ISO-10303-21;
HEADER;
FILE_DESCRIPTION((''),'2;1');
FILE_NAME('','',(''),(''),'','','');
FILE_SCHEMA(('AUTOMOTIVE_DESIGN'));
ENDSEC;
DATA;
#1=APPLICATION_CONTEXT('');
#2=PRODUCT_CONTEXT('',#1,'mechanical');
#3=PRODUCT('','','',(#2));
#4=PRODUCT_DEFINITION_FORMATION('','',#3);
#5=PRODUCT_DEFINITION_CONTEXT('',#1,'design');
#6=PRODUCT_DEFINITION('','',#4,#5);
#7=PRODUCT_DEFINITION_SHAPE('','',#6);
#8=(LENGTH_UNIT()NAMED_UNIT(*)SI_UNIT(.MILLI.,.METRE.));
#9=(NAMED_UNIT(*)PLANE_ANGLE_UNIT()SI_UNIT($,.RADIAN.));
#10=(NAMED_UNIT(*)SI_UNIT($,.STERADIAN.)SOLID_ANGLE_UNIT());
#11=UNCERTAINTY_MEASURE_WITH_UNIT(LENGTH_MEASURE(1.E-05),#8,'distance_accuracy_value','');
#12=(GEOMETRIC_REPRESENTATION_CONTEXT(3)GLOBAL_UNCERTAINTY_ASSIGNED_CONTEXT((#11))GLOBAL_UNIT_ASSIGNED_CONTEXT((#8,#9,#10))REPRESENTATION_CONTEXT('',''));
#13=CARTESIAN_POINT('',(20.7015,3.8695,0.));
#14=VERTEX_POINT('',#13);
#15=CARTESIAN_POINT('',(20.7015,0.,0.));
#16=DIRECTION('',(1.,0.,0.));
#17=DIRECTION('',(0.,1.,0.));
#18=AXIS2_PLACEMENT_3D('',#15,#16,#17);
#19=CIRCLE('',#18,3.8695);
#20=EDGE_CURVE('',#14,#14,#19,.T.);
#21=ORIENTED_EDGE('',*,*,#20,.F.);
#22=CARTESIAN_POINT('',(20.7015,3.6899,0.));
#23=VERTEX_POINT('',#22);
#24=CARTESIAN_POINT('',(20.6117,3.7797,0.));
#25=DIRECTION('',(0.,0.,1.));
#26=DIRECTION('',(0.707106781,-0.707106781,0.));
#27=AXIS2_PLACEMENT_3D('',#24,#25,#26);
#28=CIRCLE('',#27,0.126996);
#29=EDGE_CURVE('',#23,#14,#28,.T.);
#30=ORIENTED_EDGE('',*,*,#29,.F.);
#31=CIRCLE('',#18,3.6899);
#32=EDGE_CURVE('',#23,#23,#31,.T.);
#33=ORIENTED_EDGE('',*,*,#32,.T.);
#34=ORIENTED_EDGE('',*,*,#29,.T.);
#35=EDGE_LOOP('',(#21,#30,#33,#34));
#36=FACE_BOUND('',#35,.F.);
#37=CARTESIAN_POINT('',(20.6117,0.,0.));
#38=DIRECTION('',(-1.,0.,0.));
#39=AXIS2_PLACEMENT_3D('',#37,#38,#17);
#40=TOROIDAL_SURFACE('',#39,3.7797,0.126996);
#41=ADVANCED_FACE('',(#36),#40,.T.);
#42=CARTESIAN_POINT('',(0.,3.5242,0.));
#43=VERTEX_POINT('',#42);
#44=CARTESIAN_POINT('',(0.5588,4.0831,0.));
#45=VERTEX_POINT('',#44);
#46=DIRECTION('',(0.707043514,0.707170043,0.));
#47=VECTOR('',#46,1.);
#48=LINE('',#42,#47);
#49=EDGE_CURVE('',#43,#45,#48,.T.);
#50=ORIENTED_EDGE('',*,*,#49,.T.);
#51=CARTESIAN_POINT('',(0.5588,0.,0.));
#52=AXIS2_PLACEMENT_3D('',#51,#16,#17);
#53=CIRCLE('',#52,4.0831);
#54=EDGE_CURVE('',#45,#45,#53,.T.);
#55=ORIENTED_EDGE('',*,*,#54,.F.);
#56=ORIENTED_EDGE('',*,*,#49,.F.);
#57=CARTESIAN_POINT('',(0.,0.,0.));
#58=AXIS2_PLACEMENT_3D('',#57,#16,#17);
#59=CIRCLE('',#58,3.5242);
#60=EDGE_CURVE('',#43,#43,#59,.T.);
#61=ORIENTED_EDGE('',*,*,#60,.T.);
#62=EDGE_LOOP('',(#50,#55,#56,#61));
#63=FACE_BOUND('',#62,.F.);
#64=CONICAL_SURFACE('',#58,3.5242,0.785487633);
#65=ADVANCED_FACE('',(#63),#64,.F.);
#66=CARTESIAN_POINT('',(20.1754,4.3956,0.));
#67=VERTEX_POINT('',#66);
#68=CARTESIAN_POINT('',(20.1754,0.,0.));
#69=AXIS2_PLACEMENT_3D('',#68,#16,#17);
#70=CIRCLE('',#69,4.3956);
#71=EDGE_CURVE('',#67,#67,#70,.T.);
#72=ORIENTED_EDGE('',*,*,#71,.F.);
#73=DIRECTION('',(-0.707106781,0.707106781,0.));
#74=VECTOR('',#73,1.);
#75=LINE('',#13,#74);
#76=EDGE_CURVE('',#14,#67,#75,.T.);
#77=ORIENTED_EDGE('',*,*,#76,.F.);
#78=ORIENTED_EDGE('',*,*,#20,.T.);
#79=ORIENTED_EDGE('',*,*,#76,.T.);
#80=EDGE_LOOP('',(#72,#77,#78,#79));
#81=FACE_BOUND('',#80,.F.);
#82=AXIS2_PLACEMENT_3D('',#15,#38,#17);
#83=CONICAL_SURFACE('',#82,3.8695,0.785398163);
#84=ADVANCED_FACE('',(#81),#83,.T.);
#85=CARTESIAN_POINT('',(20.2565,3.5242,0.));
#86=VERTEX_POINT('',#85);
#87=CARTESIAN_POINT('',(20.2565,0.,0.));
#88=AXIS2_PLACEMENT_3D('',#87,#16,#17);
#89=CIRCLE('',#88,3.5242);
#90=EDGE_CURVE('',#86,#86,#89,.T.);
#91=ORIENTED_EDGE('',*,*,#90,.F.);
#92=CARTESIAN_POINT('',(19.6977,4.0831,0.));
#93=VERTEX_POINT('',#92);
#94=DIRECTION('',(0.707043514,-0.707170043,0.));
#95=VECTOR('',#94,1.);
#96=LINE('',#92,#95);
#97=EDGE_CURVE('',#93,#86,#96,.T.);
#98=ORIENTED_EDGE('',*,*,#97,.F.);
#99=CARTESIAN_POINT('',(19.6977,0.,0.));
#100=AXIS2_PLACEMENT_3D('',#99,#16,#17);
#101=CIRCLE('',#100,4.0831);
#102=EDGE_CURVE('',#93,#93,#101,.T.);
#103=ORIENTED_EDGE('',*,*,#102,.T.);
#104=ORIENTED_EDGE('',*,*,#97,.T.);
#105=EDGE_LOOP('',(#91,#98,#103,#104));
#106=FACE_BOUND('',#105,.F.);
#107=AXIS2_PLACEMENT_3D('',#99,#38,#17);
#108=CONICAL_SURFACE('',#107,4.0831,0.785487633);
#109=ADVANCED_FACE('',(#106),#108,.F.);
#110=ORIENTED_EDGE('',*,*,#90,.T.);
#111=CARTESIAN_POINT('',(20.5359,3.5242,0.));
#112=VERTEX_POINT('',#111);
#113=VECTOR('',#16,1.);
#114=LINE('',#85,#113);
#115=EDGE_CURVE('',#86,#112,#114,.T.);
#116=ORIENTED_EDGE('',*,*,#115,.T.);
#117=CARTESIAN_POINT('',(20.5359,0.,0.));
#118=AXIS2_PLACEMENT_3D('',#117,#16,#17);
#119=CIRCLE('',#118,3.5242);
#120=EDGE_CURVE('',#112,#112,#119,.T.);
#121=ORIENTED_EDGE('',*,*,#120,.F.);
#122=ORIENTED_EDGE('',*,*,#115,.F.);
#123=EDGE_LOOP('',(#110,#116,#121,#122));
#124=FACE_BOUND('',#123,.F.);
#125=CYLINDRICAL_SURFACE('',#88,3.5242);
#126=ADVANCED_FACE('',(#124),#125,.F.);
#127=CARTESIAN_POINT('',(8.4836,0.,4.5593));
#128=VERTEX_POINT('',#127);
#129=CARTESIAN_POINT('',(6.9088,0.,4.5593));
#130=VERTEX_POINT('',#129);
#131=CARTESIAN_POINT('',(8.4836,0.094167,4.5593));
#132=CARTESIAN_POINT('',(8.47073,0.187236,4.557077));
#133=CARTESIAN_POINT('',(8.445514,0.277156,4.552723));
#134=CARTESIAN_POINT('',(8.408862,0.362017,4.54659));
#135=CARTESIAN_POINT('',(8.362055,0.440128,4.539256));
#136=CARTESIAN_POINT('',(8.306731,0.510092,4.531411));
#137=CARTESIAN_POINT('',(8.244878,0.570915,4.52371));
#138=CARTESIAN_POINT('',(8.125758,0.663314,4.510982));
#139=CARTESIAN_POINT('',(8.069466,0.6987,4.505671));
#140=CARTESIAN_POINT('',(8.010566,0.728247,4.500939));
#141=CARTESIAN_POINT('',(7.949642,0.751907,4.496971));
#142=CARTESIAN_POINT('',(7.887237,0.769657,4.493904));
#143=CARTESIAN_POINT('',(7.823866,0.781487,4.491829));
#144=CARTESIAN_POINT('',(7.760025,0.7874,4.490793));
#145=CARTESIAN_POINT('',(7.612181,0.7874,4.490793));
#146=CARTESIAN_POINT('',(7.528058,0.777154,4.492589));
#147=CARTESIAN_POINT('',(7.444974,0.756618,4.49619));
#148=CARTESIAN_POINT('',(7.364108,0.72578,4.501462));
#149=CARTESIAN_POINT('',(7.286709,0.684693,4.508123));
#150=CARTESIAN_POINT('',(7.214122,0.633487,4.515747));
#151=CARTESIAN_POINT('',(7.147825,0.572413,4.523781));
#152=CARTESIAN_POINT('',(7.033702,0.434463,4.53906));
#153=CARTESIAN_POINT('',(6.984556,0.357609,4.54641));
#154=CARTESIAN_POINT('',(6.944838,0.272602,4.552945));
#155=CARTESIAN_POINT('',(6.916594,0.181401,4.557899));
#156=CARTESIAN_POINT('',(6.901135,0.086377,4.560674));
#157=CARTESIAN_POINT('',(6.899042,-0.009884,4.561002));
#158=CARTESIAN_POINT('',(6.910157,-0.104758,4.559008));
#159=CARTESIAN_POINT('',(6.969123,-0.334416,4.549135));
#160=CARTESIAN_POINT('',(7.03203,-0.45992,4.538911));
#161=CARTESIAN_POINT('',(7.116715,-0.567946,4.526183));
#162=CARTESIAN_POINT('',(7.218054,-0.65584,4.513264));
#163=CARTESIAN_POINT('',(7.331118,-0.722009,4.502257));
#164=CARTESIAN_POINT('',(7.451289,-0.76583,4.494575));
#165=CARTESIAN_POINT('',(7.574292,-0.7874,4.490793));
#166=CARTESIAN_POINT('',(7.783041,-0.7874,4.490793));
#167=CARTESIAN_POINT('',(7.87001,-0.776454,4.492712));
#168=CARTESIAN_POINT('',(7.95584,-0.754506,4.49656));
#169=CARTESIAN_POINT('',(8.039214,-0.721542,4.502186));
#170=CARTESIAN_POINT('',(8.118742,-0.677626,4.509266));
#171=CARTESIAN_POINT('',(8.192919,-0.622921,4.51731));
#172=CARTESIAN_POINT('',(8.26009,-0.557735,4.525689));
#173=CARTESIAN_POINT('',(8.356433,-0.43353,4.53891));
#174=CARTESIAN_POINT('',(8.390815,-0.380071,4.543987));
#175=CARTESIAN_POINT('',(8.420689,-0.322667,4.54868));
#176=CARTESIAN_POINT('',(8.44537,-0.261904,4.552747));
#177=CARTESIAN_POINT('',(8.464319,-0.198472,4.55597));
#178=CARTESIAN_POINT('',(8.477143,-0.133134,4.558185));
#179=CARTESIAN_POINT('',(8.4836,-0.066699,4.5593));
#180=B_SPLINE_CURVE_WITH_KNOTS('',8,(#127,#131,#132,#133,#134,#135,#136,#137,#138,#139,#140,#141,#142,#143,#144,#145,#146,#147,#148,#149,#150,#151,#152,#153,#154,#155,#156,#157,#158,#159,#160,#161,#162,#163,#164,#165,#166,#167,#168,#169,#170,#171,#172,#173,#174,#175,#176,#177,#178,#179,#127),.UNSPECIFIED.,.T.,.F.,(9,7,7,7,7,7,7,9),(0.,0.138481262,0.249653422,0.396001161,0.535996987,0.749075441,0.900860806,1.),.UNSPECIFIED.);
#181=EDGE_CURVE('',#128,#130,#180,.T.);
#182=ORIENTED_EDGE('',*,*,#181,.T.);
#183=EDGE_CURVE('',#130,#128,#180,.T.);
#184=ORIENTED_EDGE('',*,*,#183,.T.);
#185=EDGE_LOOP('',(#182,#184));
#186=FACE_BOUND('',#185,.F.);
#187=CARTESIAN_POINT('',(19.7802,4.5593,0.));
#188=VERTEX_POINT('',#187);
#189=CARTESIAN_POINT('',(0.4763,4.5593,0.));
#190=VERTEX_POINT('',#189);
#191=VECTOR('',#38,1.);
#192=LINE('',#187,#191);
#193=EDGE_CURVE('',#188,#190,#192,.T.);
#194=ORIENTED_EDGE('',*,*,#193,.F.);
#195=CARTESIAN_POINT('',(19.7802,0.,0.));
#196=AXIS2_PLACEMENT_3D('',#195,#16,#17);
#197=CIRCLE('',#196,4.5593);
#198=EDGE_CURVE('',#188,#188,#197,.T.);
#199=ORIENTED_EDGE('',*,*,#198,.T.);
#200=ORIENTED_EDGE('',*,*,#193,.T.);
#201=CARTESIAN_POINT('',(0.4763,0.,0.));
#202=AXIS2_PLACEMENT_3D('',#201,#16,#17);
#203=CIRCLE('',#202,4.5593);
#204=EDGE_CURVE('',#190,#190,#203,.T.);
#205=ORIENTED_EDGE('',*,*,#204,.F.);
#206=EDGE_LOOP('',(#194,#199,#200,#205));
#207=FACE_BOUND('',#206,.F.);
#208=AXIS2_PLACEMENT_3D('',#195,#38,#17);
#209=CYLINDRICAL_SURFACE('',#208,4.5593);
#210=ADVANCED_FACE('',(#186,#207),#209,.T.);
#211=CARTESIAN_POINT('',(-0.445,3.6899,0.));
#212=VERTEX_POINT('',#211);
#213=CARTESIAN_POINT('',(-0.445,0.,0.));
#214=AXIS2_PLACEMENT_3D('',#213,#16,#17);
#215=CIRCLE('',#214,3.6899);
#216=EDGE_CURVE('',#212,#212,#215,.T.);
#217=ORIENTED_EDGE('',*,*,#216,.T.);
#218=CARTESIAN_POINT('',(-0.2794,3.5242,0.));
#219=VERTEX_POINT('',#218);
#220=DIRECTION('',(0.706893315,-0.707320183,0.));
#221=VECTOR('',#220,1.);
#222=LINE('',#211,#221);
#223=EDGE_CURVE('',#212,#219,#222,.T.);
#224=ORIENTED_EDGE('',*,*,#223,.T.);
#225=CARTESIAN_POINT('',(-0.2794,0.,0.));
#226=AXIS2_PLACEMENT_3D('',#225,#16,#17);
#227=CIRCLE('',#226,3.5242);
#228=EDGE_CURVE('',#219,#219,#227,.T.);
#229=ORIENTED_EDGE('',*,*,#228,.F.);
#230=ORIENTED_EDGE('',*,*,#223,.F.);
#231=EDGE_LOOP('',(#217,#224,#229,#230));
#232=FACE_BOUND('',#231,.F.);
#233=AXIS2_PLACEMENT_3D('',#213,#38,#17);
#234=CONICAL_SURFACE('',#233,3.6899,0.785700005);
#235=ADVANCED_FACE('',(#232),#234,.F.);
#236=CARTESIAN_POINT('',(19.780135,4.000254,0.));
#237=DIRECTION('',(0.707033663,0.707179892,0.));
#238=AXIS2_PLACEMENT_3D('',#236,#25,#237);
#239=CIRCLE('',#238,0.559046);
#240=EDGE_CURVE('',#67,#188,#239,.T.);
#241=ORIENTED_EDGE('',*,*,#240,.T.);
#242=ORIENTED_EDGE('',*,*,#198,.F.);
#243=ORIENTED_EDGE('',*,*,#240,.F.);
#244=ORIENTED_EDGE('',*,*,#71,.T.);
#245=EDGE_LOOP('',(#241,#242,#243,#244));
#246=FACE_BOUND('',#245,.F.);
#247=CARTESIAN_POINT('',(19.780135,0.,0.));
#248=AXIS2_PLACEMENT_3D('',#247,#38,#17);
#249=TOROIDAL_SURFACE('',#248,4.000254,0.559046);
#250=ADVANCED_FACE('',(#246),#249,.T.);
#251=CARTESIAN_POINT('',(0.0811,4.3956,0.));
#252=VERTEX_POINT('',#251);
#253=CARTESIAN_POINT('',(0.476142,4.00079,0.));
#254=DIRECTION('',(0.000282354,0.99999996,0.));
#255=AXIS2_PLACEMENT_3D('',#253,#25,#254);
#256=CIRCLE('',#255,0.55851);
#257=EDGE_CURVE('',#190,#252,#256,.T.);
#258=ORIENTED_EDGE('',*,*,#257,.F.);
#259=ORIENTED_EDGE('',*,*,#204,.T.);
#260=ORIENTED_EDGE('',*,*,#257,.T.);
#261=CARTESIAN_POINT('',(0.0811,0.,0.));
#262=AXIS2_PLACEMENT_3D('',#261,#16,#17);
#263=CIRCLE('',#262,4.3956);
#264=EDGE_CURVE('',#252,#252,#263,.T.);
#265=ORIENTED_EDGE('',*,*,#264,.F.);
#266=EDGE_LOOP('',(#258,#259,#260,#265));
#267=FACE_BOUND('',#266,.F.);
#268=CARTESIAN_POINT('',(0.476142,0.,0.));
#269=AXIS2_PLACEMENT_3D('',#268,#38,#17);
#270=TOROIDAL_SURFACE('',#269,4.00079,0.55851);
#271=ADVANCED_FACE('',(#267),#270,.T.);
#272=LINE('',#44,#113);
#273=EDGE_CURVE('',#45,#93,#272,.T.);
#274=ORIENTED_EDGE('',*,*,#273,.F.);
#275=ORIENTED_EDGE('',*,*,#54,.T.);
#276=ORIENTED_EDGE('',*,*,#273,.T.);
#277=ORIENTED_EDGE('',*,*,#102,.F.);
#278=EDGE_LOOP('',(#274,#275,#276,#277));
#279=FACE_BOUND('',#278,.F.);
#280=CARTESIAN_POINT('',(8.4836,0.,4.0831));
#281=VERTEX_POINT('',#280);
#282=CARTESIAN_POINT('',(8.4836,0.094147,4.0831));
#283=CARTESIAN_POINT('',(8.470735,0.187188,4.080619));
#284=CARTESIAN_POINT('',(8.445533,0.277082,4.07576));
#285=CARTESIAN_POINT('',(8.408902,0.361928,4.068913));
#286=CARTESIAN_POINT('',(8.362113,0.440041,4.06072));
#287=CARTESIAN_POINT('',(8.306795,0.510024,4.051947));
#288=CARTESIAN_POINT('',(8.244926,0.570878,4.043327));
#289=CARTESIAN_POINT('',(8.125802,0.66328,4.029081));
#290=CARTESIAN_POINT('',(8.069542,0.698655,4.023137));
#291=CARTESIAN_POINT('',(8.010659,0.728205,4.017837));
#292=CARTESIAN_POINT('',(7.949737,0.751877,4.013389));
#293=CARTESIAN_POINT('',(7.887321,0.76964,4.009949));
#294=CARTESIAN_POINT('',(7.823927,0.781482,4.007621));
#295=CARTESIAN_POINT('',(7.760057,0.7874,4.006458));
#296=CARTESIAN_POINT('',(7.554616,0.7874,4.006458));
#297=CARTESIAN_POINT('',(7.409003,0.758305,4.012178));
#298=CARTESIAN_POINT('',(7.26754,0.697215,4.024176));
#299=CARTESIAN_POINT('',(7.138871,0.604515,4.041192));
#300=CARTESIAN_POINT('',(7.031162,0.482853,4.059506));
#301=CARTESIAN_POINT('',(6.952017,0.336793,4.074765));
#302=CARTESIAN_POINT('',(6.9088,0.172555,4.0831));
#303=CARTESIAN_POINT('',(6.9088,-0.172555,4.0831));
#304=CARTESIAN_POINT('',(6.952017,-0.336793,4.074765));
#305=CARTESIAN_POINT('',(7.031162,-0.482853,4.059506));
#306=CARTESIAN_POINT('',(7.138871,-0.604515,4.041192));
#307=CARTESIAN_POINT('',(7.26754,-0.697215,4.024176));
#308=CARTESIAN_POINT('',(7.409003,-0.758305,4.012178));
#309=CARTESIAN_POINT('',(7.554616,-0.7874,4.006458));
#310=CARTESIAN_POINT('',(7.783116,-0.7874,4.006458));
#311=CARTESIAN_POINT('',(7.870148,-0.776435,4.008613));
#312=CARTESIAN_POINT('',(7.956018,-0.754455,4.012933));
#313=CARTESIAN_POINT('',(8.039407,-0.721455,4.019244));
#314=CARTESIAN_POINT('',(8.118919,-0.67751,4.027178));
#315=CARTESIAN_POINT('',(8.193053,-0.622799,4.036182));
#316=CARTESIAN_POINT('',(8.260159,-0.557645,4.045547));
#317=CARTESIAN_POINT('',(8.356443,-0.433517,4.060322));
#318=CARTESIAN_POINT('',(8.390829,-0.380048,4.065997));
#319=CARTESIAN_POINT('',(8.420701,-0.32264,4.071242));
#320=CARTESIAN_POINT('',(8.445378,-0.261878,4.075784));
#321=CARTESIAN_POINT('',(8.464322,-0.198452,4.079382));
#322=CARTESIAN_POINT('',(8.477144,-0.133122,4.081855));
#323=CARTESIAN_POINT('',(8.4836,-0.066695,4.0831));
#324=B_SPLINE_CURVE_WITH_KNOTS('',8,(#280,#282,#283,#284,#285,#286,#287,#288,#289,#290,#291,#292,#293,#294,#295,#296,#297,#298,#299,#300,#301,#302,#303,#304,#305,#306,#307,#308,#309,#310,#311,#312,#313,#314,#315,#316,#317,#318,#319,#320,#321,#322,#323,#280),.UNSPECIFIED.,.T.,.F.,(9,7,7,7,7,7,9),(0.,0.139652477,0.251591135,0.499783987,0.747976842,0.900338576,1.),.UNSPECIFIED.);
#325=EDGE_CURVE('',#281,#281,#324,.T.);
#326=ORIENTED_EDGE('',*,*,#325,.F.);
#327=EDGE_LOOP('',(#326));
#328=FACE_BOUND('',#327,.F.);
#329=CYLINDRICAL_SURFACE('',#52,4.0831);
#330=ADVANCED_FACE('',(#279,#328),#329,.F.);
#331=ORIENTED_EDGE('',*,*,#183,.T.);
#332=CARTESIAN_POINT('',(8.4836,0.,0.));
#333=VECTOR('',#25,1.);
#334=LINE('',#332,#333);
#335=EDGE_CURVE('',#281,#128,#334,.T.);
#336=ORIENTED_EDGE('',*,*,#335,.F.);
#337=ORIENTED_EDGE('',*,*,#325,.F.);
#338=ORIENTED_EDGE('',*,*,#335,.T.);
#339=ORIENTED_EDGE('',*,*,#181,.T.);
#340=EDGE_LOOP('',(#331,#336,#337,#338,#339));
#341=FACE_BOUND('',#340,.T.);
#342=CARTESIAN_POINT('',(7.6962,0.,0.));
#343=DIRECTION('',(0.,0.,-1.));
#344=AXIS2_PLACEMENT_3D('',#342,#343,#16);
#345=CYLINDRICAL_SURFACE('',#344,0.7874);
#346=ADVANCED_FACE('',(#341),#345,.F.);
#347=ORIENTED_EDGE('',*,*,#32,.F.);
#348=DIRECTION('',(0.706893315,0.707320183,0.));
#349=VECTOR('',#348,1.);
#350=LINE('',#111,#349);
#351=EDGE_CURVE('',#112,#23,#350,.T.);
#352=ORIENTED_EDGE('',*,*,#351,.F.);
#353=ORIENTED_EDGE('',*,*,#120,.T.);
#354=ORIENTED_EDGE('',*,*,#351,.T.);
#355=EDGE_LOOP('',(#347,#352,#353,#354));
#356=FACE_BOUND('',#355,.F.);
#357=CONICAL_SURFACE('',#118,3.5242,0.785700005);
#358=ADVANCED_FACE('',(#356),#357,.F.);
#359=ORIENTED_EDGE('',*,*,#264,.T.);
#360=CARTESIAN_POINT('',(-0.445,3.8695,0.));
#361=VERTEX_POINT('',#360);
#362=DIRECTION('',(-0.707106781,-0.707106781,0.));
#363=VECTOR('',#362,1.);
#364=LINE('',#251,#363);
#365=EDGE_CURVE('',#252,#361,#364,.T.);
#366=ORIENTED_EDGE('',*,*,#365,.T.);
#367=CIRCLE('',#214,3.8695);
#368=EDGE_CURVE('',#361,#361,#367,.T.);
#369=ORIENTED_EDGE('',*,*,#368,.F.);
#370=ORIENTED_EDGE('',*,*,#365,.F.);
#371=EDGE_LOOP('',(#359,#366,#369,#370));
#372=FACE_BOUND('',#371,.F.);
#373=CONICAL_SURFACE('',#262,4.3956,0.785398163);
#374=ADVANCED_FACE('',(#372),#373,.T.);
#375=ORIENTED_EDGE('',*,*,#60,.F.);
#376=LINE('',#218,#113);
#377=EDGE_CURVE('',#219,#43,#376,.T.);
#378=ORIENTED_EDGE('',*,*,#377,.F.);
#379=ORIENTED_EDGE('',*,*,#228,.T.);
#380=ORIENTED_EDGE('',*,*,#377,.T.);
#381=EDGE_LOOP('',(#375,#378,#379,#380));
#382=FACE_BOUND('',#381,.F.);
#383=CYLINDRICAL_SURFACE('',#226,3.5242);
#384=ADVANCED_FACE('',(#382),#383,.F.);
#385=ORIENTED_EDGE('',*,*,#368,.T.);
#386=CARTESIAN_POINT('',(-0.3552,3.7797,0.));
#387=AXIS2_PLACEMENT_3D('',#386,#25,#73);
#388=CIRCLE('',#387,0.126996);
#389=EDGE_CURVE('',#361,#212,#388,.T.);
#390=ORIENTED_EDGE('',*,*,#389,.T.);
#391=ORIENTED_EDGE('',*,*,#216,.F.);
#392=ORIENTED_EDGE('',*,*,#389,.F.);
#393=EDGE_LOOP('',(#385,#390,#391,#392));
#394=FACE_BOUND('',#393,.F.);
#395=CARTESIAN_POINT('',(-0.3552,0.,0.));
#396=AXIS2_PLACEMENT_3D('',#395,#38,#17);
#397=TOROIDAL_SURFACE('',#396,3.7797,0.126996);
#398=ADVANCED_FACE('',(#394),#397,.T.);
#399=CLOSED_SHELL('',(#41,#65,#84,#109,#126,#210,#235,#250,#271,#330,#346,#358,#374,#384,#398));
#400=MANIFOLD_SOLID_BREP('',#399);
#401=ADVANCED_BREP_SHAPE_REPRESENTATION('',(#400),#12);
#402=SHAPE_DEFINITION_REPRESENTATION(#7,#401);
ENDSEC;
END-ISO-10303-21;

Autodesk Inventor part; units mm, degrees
sketch "Sketch_1" plane through (0, 0, 0) normal (0, 0, 1) x (1, 0, 0)
  line L0 (20.2565, 0) -> (0, 0)
  arc A0 (-0.445, 3.8695) -> (-0.445, 3.6899) centre (-0.3552, 3.7797) ccw
  line L1 (-0.445, 3.6899) -> (-0.2794, 3.5242)
  line L2 (-0.2794, 3.5242) -> (0, 3.5242)
  line L3 (0, 3.5242) -> (0.5588, 4.0831)
  line L4 (0.5588, 4.0831) -> (19.6977, 4.0831)
  line L5 (19.6977, 4.0831) -> (20.2565, 3.5242)
  line L6 (20.2565, 3.5242) -> (20.5359, 3.5242)
  line L7 (20.5359, 3.5242) -> (20.7015, 3.6899)
  arc A1 (20.7015, 3.6899) -> (20.7015, 3.8695) centre (20.6117, 3.7797) ccw
  line L8 (20.7015, 3.8695) -> (20.1754, 4.3956)
  arc A2 (20.1754, 4.3956) -> (19.7802, 4.5593) centre (19.7803, 4.0005) ccw
  line L9 (19.7802, 4.5593) -> (0.4763, 4.5593)
  arc A3 (0.4763, 4.5593) -> (0.0811, 4.3956) centre (0.4762, 4.0005) ccw
  line L10 (0.0811, 4.3956) -> (-0.445, 3.8695)
revolve "Revolution1" add sketch "Sketch_1" angle 360 about axis through (20.2565, 0, 0) along (1, 0, 0)
sketch "Sketch_4" plane through (0, 0, 0) normal (0, 0, 1) x (1, 0, 0)
  circle A0 centre (7.6962, 0) radius 0.7874
extrude "Extrusion1" cut sketch "Sketch_4" along normal blind 4.5593
ref_plane "cp1_XY" through (10.1283, 4.5593, 0) normal (1, 0, 0) x (0, 0, -1)
ref_plane "cp1_YZ" through (10.1283, 4.5593, 0) normal (0, 0, -1) x (0, 1, 0)
ref_plane "cp1_ZX" through (10.1283, 4.5593, 0) normal (0, 1, 0) x (1, 0, 0)
ref_plane "cp2_XY" through (10.1283, 0, -4.5593) normal (1, 0, 0) x (0, 0, -1)
ref_plane "cp2_YZ" through (10.1283, 0, -4.5593) normal (0, 0, -1) x (0, 1, 0)
ref_plane "cp2_ZX" through (10.1283, 0, -4.5593) normal (0, 1, 0) x (1, 0, 0)
ref_plane "cp3_XY" through (10.1283, -4.5593, 0) normal (1, 0, 0) x (0, 0, -1)
ref_plane "cp3_YZ" through (10.1283, -4.5593, 0) normal (0, 0, -1) x (0, 1, 0)
ref_plane "cp3_ZX" through (10.1283, -4.5593, 0) normal (0, 1, 0) x (1, 0, 0)
ref_plane "cp4_XY" through (10.1283, 0, 4.5593) normal (1, 0, 0) x (0, 0, -1)
ref_plane "cp4_YZ" through (10.1283, 0, 4.5593) normal (0, 0, -1) x (0, 1, 0)
ref_plane "cp4_ZX" through (10.1283, 0, 4.5593) normal (0, 1, 0) x (1, 0, 0)
ref_plane "tube_front_XY" through (0, 0, 0) normal (1, 0, 0) x (0, 0, -1)
ref_plane "tube_front_YZ" through (0, 0, 0) normal (0, 0, -1) x (0, 1, 0)
ref_plane "tube_front_ZX" through (0, 0, 0) normal (0, 1, 0) x (1, 0, 0)
ref_plane "tube_rear_XY" through (20.2565, 0, 0) normal (1, 0, 0) x (0, 0, -1)
ref_plane "tube_rear_YZ" through (20.2565, 0, 0) normal (0, 0, -1) x (0, 1, 0)
ref_plane "tube_rear_ZX" through (20.2565, 0, 0) normal (0, 1, 0) x (1, 0, 0)
properties part number "007-0.79752"
